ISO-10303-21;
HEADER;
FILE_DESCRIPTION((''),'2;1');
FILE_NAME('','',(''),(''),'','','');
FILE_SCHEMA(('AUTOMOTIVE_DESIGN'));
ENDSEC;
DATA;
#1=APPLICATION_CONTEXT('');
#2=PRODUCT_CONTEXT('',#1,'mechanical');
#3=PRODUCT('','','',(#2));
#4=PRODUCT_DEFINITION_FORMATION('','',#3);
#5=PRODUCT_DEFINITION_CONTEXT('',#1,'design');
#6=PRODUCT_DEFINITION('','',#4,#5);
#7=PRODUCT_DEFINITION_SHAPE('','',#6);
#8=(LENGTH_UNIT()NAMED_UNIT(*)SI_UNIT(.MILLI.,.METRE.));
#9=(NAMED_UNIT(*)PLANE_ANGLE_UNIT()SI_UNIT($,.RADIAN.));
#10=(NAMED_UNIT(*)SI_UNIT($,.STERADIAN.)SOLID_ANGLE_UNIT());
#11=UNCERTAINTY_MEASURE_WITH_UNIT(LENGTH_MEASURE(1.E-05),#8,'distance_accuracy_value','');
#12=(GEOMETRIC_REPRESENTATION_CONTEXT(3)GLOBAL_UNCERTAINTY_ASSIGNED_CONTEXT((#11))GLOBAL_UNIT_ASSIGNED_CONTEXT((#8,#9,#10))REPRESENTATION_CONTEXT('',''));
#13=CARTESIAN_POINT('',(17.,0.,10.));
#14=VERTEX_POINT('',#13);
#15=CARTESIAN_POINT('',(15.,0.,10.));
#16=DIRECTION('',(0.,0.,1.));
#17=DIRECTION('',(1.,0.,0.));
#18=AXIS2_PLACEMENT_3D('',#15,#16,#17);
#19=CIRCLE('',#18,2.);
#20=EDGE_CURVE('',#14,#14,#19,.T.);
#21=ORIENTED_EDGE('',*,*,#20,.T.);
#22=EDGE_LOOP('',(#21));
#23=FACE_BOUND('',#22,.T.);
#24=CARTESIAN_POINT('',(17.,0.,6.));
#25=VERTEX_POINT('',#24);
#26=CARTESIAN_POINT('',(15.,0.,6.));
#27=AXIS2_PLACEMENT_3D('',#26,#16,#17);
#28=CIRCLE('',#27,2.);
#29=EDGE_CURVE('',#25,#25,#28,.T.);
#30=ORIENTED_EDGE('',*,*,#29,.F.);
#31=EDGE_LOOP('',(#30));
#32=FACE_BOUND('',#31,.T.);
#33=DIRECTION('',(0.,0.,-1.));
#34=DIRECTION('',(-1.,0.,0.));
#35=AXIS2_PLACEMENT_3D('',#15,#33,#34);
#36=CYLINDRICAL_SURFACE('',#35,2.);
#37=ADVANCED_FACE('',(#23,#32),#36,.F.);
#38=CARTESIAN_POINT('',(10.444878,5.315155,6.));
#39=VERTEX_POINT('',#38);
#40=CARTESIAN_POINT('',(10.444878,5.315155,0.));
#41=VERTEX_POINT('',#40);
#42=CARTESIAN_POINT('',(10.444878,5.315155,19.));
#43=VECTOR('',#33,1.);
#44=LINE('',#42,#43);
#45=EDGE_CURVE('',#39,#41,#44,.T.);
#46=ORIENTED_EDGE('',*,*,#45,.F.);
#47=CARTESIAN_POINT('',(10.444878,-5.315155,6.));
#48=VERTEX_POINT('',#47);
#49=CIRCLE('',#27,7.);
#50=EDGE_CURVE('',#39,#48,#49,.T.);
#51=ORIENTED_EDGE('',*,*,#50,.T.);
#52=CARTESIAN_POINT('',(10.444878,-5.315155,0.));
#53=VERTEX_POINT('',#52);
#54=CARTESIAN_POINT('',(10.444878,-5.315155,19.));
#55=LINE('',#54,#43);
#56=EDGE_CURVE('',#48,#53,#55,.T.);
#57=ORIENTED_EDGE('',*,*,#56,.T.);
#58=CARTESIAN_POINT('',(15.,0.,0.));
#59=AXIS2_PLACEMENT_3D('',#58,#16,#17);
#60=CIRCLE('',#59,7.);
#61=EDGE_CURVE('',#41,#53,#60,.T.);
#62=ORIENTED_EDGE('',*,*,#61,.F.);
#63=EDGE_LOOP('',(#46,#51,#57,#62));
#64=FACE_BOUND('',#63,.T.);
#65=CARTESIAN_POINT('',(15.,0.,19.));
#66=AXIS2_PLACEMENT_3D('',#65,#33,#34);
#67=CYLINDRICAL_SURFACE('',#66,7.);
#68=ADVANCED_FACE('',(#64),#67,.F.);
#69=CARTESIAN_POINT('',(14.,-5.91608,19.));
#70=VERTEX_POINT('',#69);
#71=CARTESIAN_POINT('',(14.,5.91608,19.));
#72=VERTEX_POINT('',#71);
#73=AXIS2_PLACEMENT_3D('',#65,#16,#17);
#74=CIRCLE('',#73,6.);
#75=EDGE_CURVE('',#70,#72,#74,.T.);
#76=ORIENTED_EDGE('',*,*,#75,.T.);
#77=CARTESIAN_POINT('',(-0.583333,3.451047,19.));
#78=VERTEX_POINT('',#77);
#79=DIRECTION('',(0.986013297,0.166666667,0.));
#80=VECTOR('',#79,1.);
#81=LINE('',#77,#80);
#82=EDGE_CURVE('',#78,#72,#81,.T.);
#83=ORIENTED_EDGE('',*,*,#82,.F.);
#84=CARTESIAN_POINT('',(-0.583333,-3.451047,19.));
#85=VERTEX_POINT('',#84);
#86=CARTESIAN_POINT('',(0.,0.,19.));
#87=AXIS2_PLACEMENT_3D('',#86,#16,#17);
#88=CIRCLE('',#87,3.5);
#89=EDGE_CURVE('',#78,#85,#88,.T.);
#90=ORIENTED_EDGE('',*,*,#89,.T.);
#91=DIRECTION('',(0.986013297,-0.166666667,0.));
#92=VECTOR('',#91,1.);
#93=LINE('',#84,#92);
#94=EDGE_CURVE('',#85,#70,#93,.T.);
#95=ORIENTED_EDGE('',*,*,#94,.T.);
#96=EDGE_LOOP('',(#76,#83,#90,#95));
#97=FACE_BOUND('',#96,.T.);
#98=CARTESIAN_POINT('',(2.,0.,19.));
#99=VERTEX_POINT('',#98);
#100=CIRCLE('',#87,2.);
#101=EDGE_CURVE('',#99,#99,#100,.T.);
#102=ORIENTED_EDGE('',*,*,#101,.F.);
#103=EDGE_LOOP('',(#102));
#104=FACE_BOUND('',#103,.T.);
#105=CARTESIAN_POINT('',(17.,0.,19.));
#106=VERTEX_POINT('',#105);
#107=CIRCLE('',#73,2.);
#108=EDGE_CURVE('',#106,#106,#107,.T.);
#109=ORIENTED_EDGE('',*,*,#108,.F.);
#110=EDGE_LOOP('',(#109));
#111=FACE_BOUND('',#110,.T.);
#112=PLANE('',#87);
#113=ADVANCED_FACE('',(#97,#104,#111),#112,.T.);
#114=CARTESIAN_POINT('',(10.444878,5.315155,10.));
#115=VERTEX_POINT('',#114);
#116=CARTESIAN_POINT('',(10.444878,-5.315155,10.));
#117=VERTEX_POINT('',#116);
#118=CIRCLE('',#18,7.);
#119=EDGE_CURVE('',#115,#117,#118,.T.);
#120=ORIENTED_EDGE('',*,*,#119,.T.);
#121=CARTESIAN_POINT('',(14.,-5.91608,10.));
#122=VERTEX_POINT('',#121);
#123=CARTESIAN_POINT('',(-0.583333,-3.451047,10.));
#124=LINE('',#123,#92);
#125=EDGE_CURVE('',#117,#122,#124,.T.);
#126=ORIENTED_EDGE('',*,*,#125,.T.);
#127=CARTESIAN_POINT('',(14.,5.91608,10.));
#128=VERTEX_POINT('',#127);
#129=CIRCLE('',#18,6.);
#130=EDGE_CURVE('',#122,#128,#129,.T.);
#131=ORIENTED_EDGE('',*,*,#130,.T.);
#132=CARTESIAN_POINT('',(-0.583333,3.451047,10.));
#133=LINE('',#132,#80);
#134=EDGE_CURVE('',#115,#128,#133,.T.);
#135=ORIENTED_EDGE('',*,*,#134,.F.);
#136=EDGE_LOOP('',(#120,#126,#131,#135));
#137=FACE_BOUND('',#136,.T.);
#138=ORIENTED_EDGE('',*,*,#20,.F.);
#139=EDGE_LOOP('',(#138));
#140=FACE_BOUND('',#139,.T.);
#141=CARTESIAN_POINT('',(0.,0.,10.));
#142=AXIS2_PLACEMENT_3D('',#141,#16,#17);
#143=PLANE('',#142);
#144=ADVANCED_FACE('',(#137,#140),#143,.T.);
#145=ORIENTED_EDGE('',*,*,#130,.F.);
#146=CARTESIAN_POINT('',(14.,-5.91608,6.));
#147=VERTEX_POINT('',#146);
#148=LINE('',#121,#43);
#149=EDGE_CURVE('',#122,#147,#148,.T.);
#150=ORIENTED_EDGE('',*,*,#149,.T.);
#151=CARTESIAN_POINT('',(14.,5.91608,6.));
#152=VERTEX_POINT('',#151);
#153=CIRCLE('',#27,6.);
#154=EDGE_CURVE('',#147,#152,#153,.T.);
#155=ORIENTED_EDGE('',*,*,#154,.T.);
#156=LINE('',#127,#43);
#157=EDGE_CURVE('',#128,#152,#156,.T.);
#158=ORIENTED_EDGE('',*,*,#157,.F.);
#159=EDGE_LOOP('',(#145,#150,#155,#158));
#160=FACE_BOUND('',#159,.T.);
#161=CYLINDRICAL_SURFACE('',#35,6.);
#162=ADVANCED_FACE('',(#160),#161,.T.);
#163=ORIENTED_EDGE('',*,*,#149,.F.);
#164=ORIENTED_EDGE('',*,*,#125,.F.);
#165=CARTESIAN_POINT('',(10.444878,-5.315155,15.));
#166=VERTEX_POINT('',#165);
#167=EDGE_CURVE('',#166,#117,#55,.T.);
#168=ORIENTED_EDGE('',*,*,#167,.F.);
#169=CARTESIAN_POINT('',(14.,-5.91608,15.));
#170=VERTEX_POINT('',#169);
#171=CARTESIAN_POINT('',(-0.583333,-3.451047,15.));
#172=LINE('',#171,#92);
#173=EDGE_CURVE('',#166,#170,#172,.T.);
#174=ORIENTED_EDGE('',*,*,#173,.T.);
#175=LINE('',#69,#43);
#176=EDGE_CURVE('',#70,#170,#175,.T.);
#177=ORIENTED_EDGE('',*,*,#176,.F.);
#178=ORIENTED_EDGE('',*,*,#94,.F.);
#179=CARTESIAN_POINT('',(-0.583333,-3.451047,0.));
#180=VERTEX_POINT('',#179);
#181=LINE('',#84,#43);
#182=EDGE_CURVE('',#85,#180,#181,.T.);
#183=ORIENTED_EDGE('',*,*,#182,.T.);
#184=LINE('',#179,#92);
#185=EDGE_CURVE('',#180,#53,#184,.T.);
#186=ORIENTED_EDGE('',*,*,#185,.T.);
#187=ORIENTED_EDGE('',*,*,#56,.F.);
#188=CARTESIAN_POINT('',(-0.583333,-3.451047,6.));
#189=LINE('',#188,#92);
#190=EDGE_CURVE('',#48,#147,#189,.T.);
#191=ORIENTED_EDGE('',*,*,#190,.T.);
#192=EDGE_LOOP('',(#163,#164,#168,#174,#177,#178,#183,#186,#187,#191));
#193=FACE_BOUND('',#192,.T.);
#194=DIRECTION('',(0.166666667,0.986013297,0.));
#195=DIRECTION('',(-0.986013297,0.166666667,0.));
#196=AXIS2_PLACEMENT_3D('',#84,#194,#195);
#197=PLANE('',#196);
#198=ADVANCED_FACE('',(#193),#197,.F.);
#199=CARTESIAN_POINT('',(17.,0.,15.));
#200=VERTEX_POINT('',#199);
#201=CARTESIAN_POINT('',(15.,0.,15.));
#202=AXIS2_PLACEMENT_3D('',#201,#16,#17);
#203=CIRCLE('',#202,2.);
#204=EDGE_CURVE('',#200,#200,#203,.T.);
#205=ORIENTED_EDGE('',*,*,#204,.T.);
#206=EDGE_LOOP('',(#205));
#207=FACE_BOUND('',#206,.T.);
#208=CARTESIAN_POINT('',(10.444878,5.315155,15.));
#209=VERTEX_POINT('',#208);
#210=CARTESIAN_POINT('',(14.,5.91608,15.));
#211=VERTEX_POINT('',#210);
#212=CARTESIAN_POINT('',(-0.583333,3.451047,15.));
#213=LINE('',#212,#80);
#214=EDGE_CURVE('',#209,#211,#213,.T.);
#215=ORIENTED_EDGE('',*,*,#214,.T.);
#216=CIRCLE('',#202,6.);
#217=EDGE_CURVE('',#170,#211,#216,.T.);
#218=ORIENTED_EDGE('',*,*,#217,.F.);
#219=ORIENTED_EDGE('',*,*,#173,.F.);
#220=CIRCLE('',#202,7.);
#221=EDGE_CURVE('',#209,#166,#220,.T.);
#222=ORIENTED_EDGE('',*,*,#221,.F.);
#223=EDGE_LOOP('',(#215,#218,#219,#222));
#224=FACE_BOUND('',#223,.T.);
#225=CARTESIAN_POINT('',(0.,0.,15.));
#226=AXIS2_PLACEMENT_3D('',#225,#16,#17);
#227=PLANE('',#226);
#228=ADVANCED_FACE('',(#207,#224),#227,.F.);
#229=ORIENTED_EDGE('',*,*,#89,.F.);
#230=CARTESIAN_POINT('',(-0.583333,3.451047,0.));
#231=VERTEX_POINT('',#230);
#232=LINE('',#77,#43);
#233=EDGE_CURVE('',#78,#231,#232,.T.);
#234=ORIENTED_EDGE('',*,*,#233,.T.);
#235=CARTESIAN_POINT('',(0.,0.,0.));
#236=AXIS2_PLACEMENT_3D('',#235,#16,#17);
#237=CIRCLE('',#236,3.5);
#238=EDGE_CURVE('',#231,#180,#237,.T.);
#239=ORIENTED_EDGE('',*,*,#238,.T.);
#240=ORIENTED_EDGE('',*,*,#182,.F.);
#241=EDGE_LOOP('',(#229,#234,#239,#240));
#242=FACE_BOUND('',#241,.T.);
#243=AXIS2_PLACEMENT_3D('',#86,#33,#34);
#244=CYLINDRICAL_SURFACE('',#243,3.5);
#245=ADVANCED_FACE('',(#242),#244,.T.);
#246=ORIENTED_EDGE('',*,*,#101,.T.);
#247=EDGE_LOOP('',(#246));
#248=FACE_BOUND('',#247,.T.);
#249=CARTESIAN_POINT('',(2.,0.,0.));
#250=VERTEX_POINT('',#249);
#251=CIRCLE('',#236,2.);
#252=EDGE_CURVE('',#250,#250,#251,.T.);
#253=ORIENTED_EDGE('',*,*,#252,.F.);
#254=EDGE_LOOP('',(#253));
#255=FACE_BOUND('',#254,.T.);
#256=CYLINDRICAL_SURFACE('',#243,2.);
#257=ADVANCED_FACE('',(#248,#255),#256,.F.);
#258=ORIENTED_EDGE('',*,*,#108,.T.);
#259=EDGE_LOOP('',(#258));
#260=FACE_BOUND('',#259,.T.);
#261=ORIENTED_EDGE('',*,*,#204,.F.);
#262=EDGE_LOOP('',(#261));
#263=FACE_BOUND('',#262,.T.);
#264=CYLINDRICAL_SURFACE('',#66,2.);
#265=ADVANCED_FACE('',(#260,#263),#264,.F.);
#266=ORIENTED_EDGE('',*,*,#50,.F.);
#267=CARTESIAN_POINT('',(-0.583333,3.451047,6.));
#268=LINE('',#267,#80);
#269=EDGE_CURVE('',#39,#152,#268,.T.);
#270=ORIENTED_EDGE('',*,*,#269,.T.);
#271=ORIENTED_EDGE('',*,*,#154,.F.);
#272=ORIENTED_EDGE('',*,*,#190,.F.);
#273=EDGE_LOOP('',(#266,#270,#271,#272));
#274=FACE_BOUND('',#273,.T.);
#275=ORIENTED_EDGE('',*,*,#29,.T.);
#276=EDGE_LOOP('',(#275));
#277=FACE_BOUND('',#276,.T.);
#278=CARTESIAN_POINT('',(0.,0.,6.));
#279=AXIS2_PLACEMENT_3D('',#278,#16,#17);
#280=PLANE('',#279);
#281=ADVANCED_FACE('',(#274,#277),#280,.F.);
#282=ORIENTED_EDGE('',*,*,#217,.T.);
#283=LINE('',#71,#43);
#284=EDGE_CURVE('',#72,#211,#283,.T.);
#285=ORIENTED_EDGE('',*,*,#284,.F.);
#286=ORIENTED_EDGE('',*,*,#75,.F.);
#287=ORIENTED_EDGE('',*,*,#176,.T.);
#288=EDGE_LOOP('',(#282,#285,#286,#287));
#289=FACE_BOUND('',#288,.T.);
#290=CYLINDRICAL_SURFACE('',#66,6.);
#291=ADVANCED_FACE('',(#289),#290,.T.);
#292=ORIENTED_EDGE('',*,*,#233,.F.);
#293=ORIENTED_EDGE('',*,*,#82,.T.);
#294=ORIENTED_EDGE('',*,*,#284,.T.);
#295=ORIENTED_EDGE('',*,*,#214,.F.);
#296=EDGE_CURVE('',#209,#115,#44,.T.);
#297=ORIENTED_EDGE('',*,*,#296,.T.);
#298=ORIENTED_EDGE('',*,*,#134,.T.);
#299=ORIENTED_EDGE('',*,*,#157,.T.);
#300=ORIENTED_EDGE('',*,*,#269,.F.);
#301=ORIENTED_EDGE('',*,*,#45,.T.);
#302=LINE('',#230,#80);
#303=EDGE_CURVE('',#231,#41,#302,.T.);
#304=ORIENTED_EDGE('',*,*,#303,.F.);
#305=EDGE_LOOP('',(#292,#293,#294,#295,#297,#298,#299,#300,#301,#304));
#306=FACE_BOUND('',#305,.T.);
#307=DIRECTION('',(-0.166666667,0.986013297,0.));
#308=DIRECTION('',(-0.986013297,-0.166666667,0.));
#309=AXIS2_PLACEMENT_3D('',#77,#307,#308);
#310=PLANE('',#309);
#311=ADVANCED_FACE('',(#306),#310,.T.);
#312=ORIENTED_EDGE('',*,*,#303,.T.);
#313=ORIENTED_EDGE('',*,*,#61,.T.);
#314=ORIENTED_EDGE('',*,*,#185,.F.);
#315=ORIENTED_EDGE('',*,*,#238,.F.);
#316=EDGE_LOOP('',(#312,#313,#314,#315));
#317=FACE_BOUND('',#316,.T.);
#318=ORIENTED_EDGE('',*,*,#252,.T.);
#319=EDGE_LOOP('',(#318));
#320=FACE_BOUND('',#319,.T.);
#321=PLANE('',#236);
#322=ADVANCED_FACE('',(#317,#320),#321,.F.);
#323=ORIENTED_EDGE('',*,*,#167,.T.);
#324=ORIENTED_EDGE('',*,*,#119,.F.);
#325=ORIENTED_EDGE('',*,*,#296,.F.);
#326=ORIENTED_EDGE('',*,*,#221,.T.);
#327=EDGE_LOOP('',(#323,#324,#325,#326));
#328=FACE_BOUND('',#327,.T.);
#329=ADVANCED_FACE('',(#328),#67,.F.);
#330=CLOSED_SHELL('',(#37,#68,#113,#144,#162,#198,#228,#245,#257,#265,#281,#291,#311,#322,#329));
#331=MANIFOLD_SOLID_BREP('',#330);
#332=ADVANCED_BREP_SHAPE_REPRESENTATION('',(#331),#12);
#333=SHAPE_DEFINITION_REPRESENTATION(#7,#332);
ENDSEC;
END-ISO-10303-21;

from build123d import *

# Parameters (mm, degrees)
ESQUISSE1_R        = 2
BOSS_EXTRU_2_DEPTH = 19
BOSS_EXTRU_3_START = 6
ESQUISSE1_4_R      = 2
BOSS_EXTRU_3_DEPTH = 4
BOSS_EXTRU_4_START = 15
ESQUISSE1_5_R      = 2
BOSS_EXTRU_4_DEPTH = 4


with BuildPart() as part:
    # Esquisse1 → Boss.-Extru.2 (new body)
    with BuildSketch(Plane.XY):
        with BuildLine():
            Line((10.444878499, 5.315154571), (-0.583333333, 3.45104654))
            ThreePointArc((-0.583333333, 3.45104654), (-3.5, 0), (-0.583333333, -3.45104654))
            Line((-0.583333333, -3.45104654), (10.444878499, -5.315154571))
            ThreePointArc((10.444878499, -5.315154571), (8, 0), (10.444878499, 5.315154571))
        make_face()
        Circle(ESQUISSE1_R, mode=Mode.SUBTRACT)
    extrude(amount=BOSS_EXTRU_2_DEPTH)

    # Esquisse1<4> → Boss.-Extru.3 (add)
    with BuildSketch(Plane.XY.offset(BOSS_EXTRU_3_START)):
        with BuildLine():
            Line((14, 5.916079783), (10.444878499, 5.315154571))
            ThreePointArc((10.444878499, 5.315154571), (8, 0), (10.444878499, -5.315154571))
            Line((10.444878499, -5.315154571), (14, -5.916079783))
            ThreePointArc((14, -5.916079783), (21, 0), (14, 5.916079783))
        make_face()
        with Locations((15, 0)):
            Circle(ESQUISSE1_4_R, mode=Mode.SUBTRACT)
    extrude(amount=BOSS_EXTRU_3_DEPTH)

    # Esquisse1<5> → Boss.-Extru.4 (add)
    with BuildSketch(Plane.XY.offset(BOSS_EXTRU_4_START)):
        with BuildLine():
            Line((14, 5.916079783), (10.444878499, 5.315154571))
            ThreePointArc((10.444878499, 5.315154571), (8, 0), (10.444878499, -5.315154571))
            Line((10.444878499, -5.315154571), (14, -5.916079783))
            ThreePointArc((14, -5.916079783), (21, 0), (14, 5.916079783))
        make_face()
        with Locations((15, 0)):
            Circle(ESQUISSE1_5_R, mode=Mode.SUBTRACT)
    extrude(amount=BOSS_EXTRU_4_DEPTH)


solid = part.part
